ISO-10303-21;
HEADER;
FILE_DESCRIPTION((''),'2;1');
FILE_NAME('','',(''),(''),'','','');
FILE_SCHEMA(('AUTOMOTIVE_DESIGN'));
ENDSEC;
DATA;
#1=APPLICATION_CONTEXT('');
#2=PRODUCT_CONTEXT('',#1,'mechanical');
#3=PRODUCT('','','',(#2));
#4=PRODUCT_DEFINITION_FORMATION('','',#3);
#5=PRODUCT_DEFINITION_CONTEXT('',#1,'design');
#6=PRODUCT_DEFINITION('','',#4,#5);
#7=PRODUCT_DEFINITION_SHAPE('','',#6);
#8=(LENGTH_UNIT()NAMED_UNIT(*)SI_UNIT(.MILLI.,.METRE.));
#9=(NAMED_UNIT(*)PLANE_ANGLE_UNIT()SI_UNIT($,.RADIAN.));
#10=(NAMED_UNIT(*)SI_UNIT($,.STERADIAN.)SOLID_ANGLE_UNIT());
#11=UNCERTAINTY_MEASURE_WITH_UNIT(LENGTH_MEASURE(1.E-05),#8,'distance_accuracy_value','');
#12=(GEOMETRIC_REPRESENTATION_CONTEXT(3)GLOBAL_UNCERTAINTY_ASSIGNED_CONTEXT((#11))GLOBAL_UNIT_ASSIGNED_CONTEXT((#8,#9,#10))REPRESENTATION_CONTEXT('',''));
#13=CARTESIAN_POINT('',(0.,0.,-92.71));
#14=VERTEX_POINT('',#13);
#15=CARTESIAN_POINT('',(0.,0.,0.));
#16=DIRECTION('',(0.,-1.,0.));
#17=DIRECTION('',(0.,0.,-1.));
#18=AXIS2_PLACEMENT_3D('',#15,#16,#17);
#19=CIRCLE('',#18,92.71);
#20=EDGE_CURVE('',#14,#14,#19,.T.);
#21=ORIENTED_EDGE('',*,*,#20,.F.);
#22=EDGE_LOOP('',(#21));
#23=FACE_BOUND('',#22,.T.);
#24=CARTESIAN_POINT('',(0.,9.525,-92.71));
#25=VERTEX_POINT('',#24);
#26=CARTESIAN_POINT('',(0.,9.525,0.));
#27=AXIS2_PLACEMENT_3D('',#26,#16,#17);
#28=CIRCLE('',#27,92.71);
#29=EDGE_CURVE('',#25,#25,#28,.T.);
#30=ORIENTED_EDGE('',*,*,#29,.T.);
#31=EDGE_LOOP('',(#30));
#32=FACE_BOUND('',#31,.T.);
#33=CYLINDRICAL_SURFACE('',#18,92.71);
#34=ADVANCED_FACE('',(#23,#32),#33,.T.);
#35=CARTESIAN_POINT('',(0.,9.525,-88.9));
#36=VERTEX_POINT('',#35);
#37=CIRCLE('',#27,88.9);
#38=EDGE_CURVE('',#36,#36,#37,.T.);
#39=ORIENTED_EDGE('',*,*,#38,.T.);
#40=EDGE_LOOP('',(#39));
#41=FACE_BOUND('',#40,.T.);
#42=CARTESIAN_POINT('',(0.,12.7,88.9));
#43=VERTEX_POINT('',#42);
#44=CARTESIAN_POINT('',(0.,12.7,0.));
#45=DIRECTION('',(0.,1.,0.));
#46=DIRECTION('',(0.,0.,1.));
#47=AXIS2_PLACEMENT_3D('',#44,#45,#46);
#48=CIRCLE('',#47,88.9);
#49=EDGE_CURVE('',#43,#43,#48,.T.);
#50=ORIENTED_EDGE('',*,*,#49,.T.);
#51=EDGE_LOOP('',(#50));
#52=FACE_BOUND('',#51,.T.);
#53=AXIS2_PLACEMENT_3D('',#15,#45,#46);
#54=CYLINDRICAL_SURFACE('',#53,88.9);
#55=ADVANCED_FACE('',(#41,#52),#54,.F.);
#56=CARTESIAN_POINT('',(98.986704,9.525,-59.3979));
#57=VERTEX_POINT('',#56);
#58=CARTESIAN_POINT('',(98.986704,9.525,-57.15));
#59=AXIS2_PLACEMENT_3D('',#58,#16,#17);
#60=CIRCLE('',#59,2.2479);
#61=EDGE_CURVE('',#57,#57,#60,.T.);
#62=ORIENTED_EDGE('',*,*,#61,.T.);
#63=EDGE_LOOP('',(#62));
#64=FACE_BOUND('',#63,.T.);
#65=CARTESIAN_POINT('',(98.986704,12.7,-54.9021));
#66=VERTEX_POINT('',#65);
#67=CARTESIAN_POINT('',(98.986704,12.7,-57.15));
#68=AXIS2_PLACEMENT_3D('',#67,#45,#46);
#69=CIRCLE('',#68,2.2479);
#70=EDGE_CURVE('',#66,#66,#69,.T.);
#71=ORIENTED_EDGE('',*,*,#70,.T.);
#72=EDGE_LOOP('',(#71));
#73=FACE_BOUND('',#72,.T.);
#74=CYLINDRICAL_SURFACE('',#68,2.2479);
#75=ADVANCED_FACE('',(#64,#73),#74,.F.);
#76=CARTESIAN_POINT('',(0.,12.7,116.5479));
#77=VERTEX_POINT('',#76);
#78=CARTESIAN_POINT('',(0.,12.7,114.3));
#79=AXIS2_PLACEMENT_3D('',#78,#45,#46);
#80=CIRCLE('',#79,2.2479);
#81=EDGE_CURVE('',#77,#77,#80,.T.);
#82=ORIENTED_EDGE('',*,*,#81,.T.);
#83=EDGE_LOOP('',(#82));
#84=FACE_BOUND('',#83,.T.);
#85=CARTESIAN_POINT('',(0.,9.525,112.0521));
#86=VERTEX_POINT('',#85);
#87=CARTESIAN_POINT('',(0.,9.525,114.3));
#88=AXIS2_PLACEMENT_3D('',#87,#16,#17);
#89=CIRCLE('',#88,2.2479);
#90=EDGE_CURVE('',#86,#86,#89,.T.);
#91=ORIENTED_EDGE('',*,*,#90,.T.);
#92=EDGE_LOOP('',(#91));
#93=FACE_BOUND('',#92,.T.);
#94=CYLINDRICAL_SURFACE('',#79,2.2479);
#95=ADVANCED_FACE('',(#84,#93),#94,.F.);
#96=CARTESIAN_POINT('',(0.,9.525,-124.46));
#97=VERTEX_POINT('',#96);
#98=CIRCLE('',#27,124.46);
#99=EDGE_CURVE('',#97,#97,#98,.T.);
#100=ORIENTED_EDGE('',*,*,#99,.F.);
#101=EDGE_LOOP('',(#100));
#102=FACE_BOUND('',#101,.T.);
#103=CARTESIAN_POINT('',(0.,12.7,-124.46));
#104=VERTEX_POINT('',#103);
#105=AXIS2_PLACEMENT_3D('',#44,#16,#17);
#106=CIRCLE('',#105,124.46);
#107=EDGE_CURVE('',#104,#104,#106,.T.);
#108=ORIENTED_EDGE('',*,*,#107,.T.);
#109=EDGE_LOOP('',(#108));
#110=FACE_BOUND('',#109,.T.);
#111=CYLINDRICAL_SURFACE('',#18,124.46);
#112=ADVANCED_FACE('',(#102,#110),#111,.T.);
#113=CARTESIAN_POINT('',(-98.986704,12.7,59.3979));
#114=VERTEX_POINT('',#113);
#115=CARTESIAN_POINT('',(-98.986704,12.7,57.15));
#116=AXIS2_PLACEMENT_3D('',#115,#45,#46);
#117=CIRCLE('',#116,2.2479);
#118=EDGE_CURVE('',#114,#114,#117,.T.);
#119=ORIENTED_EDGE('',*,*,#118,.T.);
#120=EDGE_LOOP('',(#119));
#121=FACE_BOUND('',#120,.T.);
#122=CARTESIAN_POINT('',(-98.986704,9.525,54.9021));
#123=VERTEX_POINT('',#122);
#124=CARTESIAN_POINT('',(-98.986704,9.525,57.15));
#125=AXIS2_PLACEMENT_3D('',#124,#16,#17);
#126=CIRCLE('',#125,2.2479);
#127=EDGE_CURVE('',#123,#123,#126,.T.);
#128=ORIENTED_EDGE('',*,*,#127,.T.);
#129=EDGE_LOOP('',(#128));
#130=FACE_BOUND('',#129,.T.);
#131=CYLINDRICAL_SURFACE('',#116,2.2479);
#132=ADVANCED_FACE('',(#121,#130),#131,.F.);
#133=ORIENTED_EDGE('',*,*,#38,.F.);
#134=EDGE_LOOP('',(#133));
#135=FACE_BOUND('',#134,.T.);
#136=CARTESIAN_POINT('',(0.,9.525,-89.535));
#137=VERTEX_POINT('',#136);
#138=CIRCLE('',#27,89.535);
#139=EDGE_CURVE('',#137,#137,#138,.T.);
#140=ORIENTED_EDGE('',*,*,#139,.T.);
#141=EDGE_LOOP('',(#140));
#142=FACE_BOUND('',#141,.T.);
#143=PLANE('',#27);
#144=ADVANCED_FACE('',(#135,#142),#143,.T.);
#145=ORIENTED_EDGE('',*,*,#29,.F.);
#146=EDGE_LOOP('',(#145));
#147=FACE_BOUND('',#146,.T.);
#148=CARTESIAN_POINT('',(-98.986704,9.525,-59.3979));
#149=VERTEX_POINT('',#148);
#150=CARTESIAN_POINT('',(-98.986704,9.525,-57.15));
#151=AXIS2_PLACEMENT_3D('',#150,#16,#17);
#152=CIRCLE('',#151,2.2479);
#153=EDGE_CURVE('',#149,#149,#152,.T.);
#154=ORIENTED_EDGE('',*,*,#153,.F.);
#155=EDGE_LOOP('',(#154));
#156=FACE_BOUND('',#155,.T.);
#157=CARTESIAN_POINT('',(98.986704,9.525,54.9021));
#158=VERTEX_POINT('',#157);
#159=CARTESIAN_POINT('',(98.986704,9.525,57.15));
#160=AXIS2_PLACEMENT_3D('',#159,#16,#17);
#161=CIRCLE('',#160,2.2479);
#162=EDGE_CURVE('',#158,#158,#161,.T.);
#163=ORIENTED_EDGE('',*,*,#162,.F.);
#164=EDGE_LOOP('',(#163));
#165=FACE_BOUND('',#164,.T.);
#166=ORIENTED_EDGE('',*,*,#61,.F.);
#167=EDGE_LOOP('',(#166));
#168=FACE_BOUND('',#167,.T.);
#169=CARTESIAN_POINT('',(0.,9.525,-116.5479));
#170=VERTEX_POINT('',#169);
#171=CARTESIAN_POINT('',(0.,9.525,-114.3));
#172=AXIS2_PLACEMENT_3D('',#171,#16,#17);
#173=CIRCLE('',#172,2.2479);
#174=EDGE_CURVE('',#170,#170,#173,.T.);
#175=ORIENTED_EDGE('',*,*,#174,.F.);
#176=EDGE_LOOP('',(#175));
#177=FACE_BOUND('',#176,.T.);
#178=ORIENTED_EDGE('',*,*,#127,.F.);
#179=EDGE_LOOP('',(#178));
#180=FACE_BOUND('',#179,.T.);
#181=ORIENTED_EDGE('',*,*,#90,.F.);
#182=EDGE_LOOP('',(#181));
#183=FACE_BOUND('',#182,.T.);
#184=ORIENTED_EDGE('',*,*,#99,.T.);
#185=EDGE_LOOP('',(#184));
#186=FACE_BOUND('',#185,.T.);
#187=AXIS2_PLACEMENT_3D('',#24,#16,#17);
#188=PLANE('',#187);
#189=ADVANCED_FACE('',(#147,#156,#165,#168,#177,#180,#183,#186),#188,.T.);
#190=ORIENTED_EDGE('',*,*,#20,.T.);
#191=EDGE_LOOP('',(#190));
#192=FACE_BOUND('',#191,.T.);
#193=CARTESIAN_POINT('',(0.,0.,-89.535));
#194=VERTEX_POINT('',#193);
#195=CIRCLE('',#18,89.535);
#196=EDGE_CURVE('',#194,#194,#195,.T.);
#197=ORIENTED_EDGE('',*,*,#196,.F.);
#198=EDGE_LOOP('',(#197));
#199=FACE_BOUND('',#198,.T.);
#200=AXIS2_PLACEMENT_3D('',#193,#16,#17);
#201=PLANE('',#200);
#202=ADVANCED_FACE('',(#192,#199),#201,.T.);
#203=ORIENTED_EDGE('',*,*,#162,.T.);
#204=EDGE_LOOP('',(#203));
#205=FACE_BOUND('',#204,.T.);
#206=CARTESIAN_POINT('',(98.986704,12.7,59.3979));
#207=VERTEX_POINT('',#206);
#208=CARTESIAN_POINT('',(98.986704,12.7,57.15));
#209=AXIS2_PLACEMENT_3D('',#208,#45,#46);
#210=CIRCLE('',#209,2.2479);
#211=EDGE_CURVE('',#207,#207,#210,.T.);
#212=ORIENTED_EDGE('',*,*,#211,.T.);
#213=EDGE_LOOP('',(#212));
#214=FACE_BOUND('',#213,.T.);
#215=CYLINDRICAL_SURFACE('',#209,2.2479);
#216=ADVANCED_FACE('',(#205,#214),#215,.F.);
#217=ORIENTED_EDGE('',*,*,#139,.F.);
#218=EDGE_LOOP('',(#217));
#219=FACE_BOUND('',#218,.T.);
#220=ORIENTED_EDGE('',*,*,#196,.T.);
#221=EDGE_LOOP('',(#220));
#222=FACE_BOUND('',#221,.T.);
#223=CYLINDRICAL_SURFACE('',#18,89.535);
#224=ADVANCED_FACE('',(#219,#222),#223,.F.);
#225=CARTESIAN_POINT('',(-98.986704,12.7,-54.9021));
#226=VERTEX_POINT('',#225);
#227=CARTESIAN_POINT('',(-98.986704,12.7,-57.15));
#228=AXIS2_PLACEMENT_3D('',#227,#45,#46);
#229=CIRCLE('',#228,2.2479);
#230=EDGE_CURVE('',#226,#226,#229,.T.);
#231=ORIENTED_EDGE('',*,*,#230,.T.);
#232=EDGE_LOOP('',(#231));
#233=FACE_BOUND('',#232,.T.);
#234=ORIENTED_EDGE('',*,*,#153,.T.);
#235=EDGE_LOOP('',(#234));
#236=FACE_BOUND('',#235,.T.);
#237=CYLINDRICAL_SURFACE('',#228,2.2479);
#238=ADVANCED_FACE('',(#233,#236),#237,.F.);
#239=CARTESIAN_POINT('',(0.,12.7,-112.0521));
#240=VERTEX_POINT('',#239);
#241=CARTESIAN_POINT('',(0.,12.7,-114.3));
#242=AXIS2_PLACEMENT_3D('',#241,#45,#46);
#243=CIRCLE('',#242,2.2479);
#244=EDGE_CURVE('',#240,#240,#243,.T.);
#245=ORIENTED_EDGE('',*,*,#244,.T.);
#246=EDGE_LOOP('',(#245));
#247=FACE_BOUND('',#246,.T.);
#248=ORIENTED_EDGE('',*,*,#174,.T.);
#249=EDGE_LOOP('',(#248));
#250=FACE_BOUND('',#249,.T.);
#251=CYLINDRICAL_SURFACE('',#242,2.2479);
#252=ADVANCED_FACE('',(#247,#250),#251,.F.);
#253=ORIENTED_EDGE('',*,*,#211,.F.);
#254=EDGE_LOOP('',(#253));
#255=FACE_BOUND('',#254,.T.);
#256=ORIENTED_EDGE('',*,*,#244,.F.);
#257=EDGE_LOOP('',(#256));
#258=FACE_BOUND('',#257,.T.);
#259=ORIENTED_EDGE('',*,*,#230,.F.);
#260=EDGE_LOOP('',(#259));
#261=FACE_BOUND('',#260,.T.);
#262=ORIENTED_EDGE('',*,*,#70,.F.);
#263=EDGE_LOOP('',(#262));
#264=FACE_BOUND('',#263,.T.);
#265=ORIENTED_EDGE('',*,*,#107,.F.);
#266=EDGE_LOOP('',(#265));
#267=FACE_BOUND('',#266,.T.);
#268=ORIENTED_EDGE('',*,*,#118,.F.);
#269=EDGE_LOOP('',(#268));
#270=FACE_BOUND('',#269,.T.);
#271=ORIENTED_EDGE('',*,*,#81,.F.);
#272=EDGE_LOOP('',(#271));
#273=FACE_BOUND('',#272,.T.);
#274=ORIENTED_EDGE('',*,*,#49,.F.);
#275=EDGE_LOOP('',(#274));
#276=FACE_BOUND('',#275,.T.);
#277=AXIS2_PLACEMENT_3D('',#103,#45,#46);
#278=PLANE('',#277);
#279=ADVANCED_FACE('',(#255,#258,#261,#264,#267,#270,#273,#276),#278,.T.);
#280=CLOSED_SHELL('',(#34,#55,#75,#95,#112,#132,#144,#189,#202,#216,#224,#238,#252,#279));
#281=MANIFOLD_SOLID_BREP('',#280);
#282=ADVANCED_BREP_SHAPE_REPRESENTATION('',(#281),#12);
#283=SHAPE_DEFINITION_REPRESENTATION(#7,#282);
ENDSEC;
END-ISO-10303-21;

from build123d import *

# Parameters (mm, degrees)
F_8_CLEARANCE_HOLE1_D     = 4.4958
F_8_CLEARANCE_HOLE1_DEPTH = 3.176
CIRPATTERN1_COUNT         = 6
SKETCH4_R                 = 88.9
CUT_EXTRUDE1_DEPTH        = 13.7


with BuildPart() as part:
    # Sketch1 → Revolve1 (revolve)
    with BuildSketch(Plane(origin=(0, 0, 0), x_dir=(0, 0, -1), z_dir=(1, 0, 0))):
        Polygon((89.535, 0), (92.71, 0), (92.71, 9.525), (124.46, 9.525), (124.46, 12.7), (0, 12.7), (0, 9.525), (89.535, 9.525), align=None)
    revolve(axis=Axis((0, 0, 0), (0, 1, 0)))

    # #8 Clearance Hole1
    with Locations(Plane(origin=(0, 12.7, 0), x_dir=(1, 0, 0), z_dir=(0, 1, 0))):
        with Locations((0, 114.3)):
            f_8_clearance_hole1 = Hole(F_8_CLEARANCE_HOLE1_D / 2, depth=F_8_CLEARANCE_HOLE1_DEPTH)

    # CirPattern1: #8 Clearance Hole1 ×6 about axis
    cirpattern1_axis = Axis((0, 0, 0), (0, 1, 0))
    for i in range(1, CIRPATTERN1_COUNT):
        add(f_8_clearance_hole1.rotate(cirpattern1_axis, i * 360 / CIRPATTERN1_COUNT), mode=Mode.SUBTRACT)

    # Sketch4 → Cut-Extrude1 (cut, through all)
    with BuildSketch(Plane(origin=(0, 12.7, 0), x_dir=(1, 0, 0), z_dir=(0, 1, 0))):
        Circle(SKETCH4_R)
    extrude(amount=-CUT_EXTRUDE1_DEPTH, mode=Mode.SUBTRACT)


solid = part.part
